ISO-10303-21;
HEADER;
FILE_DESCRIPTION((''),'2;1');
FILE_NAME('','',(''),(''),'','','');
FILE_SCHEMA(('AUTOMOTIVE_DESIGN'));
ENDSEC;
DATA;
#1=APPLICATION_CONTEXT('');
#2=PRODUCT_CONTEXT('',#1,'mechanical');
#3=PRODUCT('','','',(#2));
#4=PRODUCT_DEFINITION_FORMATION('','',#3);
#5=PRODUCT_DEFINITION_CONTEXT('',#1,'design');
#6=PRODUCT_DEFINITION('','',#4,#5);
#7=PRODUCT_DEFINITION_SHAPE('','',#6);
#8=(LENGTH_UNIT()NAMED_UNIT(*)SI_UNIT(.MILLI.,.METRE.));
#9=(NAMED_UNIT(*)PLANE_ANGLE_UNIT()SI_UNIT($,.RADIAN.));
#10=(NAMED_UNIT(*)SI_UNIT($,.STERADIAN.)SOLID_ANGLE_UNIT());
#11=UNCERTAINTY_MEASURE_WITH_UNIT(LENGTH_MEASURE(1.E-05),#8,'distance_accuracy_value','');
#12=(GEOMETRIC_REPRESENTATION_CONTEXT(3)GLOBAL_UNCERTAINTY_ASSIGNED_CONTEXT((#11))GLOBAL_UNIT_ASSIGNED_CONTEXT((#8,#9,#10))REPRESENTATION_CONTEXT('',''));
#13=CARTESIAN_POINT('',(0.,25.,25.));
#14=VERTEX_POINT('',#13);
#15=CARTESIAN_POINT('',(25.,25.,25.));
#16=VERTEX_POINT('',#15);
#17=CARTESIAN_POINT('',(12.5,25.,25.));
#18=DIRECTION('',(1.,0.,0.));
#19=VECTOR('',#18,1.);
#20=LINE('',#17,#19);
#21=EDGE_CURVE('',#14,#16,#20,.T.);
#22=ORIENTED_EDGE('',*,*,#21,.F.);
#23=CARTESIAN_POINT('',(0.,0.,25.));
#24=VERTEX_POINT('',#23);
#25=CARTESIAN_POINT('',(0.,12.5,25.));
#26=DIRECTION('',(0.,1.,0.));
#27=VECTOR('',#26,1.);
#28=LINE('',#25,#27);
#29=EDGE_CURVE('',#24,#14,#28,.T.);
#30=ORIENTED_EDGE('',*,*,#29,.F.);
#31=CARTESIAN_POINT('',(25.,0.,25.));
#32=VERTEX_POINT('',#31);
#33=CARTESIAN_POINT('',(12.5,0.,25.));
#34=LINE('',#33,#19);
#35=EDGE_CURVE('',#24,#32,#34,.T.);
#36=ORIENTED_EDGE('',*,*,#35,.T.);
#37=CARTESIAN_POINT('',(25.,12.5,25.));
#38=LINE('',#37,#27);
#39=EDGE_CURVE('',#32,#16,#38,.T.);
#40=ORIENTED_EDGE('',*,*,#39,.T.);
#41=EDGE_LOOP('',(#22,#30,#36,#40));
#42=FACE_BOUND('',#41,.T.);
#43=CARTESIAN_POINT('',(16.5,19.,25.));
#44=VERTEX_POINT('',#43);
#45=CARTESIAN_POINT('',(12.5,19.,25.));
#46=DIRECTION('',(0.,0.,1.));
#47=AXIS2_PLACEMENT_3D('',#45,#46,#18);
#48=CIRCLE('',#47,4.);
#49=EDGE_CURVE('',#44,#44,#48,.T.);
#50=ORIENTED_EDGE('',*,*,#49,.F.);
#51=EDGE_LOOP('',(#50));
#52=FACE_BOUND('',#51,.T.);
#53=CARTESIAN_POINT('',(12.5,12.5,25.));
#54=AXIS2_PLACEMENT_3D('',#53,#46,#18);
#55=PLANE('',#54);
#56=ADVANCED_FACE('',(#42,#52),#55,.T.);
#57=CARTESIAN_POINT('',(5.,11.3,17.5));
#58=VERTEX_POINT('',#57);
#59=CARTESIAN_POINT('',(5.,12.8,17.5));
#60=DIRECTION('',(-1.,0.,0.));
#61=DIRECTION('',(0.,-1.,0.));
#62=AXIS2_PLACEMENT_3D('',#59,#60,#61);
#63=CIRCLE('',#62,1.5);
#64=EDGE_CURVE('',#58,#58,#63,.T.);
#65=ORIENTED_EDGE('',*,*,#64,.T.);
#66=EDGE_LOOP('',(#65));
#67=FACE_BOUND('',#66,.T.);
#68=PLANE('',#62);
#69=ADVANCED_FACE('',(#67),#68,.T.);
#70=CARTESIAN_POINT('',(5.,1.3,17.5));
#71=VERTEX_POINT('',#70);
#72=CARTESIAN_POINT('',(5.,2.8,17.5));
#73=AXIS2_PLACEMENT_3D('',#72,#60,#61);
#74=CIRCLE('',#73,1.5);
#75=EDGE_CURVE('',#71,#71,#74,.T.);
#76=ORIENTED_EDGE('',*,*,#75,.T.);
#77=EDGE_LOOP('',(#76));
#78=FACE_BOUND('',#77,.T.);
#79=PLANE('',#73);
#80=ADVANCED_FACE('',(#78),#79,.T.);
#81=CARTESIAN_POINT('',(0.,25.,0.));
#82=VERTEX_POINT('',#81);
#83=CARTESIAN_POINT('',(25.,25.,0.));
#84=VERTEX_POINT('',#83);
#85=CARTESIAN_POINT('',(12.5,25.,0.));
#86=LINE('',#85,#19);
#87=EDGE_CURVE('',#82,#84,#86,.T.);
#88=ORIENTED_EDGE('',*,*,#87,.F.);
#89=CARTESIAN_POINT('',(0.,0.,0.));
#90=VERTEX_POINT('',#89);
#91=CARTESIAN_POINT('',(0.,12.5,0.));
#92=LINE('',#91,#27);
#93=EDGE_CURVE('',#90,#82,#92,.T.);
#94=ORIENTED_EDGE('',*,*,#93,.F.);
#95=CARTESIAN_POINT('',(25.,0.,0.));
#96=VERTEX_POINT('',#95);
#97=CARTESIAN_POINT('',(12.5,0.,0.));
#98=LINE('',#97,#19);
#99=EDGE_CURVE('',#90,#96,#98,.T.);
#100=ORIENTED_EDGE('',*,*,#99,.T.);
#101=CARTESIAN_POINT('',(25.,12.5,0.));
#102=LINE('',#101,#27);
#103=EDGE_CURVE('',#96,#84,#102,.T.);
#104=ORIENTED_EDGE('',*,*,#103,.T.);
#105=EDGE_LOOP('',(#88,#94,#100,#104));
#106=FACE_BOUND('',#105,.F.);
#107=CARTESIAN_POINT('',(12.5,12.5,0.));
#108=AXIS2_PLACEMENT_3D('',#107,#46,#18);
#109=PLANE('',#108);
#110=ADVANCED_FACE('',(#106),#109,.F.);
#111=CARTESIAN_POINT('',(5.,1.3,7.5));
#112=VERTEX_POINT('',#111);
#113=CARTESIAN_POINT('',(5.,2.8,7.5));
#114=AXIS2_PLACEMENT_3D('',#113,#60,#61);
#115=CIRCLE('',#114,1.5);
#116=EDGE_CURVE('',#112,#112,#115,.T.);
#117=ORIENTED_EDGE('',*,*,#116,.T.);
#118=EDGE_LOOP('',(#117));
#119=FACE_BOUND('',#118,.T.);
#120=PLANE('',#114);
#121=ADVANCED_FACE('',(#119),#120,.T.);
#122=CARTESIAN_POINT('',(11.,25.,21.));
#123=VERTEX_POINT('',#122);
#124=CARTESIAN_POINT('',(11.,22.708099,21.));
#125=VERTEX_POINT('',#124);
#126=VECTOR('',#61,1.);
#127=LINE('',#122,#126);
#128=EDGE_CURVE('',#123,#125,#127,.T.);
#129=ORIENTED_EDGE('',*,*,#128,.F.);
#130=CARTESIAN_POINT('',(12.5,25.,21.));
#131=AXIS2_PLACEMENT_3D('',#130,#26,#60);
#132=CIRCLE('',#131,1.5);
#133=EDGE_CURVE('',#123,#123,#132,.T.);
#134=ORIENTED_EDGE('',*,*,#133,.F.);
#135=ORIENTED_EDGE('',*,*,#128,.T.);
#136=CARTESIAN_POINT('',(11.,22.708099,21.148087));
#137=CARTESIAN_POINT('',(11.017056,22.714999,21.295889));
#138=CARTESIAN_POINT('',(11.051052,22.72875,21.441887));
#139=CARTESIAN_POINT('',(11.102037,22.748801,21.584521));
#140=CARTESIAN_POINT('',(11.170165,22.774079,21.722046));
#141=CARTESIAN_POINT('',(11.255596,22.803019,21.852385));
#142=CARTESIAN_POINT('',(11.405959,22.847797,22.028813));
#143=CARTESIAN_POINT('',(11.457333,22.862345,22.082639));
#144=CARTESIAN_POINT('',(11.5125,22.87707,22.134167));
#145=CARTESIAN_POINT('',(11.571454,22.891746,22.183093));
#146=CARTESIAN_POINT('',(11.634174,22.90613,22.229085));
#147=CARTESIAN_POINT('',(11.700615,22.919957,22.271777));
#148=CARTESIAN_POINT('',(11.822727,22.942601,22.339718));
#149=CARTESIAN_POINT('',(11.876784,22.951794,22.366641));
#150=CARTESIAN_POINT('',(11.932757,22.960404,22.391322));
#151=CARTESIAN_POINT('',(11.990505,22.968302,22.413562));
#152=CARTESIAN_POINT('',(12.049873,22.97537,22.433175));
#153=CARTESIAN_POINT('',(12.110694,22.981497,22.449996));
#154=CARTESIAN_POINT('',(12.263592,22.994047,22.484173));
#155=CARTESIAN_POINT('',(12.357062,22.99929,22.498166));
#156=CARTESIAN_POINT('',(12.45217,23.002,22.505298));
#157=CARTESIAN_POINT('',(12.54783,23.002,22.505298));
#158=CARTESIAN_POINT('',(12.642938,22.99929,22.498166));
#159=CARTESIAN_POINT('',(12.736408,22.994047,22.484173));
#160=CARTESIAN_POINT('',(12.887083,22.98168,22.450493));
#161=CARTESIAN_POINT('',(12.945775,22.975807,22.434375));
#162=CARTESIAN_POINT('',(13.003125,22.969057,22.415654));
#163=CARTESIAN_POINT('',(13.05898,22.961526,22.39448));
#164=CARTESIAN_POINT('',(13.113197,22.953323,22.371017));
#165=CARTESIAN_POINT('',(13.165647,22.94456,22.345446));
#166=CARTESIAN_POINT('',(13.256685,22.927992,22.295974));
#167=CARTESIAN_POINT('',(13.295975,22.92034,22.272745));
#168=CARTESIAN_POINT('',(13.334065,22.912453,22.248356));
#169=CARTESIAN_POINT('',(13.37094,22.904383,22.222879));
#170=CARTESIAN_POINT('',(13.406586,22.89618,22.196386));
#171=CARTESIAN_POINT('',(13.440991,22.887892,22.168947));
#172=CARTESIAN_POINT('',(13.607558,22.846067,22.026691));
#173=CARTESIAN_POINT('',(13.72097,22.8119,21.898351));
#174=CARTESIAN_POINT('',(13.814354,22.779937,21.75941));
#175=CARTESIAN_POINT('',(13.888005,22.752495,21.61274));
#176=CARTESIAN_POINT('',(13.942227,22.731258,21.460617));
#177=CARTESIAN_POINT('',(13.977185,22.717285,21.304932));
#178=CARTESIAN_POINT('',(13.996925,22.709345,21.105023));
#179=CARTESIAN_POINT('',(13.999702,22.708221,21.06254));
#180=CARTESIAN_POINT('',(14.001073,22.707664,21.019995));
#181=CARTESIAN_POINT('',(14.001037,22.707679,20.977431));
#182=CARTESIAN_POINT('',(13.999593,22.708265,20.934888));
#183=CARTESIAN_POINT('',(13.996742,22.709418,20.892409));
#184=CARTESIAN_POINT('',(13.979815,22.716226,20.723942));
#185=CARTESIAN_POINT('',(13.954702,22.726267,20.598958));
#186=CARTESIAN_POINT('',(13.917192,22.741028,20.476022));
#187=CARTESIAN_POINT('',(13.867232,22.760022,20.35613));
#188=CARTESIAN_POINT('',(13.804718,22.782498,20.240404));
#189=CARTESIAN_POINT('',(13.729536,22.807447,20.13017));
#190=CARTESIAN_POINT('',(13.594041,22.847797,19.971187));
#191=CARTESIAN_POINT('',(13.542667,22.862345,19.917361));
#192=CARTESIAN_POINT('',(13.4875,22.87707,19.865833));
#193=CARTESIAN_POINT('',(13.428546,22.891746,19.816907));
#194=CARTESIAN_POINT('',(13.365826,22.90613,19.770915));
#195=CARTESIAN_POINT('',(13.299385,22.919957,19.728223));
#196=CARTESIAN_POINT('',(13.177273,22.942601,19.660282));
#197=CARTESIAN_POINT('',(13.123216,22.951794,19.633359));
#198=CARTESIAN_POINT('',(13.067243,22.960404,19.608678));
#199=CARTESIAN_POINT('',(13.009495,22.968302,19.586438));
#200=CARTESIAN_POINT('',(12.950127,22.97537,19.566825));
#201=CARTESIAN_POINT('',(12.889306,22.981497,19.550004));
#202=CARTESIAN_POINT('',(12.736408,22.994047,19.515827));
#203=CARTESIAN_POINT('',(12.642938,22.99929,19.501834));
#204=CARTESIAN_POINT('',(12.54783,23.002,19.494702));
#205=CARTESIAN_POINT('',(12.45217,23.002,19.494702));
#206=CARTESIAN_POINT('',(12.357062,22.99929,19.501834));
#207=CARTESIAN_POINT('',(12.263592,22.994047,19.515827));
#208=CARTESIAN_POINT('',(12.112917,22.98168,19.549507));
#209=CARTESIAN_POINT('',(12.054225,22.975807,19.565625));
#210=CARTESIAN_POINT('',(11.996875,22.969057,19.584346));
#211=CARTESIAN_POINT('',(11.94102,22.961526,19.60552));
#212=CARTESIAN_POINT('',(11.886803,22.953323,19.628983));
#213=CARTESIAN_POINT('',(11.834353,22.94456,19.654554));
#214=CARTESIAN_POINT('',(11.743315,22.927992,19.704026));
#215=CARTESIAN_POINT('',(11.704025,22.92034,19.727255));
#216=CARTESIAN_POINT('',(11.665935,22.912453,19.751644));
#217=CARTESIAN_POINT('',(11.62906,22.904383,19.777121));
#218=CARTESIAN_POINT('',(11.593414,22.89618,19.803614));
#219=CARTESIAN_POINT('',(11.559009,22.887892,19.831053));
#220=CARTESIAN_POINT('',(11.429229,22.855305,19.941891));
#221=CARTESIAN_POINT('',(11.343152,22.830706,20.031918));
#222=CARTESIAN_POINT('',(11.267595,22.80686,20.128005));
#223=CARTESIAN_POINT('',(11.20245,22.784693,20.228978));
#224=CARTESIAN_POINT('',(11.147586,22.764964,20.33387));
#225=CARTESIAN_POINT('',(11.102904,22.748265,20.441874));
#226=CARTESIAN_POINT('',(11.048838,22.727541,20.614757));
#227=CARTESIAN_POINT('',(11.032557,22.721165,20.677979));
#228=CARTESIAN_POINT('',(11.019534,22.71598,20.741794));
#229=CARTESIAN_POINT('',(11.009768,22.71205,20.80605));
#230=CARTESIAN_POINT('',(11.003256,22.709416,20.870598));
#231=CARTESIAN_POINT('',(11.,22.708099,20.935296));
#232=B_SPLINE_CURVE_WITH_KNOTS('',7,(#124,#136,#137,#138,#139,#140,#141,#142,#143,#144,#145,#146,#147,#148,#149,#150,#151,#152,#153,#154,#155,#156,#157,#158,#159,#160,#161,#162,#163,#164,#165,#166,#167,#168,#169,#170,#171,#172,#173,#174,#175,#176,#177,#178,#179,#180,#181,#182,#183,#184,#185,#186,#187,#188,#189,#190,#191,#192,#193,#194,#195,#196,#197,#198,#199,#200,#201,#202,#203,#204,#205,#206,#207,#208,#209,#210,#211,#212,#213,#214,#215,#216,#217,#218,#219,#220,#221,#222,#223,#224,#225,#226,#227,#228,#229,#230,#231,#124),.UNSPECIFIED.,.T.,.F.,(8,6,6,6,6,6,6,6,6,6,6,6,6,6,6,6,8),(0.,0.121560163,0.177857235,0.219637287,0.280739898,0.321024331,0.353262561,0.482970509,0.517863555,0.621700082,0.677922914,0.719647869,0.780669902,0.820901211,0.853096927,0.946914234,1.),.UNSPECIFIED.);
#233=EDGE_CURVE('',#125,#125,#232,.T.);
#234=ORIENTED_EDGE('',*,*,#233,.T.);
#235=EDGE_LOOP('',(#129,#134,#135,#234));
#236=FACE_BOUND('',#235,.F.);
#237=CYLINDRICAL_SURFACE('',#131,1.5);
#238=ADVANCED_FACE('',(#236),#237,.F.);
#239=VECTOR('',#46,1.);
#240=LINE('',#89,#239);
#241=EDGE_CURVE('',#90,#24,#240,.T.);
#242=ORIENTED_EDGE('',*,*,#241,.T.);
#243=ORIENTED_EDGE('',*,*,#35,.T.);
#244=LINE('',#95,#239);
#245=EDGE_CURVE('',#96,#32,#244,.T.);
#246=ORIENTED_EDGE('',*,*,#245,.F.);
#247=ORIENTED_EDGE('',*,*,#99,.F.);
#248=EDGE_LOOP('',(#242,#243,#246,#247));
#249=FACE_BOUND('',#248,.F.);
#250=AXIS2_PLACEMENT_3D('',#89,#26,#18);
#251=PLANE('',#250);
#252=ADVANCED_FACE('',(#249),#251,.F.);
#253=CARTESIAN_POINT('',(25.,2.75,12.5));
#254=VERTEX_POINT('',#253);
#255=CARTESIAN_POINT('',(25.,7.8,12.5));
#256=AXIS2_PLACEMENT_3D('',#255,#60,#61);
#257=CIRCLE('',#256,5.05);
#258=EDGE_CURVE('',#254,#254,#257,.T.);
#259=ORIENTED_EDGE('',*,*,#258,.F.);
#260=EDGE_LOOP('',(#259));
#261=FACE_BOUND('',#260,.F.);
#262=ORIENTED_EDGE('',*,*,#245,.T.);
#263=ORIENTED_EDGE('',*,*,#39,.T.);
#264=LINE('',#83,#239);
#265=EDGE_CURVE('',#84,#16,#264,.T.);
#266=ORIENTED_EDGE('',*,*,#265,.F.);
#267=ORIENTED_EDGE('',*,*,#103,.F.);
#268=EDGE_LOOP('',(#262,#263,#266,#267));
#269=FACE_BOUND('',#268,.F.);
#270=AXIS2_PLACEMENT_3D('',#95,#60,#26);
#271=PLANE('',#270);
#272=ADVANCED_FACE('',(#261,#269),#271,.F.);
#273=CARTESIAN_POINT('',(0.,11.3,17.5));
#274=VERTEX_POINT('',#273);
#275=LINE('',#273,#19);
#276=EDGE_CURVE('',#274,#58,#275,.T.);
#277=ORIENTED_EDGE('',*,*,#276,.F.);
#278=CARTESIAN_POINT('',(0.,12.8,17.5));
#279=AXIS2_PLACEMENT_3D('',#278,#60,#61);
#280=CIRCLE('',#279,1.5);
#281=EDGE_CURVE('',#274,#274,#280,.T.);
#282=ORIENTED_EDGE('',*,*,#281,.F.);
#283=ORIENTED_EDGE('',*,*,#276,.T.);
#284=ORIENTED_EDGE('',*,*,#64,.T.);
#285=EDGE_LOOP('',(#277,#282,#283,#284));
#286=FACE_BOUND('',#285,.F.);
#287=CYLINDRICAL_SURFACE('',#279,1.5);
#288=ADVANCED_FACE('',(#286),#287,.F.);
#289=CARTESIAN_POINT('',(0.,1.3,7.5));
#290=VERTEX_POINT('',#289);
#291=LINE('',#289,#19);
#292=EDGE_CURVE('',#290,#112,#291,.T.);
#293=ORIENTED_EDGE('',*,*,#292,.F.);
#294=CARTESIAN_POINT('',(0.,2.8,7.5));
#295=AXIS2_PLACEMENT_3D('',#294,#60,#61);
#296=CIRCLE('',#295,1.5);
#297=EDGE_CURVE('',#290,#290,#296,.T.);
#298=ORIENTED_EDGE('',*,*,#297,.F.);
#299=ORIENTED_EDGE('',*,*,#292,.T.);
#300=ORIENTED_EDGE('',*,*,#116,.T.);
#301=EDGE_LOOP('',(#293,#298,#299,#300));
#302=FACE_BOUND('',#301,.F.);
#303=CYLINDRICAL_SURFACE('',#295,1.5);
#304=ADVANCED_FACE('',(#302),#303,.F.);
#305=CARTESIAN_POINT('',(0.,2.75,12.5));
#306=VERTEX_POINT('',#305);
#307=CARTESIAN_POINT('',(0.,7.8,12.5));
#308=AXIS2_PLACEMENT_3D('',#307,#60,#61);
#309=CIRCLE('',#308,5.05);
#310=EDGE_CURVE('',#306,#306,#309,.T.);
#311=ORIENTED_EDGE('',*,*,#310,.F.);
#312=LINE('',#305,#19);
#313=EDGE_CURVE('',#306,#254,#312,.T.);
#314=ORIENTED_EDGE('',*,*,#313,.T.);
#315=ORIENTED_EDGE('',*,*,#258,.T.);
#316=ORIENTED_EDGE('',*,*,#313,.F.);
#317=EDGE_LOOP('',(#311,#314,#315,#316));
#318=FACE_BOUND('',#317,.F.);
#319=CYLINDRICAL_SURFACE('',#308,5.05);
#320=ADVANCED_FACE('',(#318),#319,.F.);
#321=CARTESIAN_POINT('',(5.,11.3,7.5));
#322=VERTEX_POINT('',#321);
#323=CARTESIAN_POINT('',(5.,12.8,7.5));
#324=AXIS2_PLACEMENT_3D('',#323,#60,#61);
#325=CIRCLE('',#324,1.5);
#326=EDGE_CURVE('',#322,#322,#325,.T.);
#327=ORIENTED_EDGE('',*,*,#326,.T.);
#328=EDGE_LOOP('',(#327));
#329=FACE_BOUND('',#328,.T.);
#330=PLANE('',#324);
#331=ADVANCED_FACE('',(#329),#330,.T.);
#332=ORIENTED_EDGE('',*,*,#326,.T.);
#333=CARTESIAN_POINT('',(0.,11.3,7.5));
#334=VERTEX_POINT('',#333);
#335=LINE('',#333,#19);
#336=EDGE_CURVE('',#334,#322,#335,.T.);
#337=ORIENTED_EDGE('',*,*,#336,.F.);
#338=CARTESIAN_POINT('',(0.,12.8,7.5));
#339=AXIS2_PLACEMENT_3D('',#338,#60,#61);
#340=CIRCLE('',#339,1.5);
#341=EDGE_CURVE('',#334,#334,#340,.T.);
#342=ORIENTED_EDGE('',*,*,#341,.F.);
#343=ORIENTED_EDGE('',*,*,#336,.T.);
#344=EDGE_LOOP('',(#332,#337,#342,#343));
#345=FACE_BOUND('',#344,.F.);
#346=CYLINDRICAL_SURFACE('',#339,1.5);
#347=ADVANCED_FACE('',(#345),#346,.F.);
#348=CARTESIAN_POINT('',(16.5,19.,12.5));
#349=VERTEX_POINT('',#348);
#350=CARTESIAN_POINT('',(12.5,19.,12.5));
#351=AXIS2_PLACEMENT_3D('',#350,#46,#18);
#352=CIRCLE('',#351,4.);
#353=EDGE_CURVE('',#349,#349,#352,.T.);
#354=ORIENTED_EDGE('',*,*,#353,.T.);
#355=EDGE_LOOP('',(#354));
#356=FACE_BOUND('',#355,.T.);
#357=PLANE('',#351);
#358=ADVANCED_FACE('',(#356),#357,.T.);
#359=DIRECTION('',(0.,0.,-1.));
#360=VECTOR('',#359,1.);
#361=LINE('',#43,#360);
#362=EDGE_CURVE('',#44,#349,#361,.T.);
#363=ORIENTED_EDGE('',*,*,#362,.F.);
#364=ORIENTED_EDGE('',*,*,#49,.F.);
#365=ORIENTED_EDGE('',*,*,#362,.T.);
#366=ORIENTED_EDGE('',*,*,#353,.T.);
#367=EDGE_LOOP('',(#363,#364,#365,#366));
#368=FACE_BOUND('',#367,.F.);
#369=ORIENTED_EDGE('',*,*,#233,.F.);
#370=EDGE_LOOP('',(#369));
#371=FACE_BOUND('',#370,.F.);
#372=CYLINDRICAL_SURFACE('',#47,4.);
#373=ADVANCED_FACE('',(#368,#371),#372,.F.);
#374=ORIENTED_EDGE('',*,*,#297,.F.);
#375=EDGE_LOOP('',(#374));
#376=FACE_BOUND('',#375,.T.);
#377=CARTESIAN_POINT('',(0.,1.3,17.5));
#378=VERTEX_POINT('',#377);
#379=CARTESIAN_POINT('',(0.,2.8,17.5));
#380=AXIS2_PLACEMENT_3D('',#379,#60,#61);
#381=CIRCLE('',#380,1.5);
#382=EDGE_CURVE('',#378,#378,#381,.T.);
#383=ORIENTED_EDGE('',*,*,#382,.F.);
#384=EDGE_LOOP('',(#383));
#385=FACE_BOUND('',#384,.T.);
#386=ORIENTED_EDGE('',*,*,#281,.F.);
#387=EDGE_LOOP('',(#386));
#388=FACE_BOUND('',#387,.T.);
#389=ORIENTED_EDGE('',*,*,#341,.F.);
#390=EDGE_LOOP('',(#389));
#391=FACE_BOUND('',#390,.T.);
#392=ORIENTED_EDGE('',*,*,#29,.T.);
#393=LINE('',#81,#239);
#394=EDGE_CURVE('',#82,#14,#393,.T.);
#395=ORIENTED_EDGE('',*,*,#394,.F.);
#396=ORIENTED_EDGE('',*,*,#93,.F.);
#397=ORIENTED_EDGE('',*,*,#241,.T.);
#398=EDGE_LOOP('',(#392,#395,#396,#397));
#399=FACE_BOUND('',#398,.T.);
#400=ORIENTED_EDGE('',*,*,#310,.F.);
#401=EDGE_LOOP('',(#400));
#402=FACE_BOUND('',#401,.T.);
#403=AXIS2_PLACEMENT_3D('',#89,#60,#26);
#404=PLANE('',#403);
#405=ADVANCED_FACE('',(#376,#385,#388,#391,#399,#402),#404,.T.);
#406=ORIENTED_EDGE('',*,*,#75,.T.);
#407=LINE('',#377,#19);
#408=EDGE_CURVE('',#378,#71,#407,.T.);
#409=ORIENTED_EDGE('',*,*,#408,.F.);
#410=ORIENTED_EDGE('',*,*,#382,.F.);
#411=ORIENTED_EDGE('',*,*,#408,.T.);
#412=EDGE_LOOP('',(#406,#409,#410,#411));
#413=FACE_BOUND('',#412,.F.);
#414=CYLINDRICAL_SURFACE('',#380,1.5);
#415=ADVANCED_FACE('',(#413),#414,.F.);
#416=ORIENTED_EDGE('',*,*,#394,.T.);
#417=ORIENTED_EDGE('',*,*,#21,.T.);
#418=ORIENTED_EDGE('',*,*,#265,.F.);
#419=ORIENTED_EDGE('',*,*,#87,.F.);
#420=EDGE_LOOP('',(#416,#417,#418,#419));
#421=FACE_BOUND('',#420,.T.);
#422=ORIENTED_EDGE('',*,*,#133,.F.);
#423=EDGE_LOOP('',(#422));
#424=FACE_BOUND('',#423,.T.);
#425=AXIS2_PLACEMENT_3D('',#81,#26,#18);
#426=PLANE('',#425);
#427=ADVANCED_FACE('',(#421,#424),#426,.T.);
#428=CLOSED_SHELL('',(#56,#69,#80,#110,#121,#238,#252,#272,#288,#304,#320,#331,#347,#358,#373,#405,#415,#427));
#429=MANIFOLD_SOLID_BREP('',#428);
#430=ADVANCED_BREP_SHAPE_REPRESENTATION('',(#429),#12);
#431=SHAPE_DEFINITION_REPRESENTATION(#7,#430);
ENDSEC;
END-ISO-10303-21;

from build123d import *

# Parameters (mm, degrees)
F0_W     = 25
F0_H     = 25
F1_DEPTH = 25
F2_R     = 4
F3_DEPTH = 12.5
F4_R     = 1.5
F5_DEPTH = 6
F6_R     = 1.5
F7_DEPTH = 5
F8_R     = 5.05
F9_DEPTH = 25.001


with BuildPart() as f1:
    # F0 (on Top) → F1 (new body)
    with BuildSketch(Plane.XY):
        with Locations((12.5, 12.5)):
            Rectangle(F0_W, F0_H)
    extrude(amount=F1_DEPTH)

    # F2 (on face) → F3 (cut)
    with BuildSketch(Plane.XY.offset(25)):
        with Locations((12.5, 19)):
            Circle(F2_R)
    extrude(amount=-F3_DEPTH, mode=Mode.SUBTRACT)

    # F4 (on face) → F5 (cut)
    with BuildSketch(Plane(origin=(0, 25, 0), x_dir=(-1, 0, 0), z_dir=(0, 1, 0))):
        with Locations((-12.5, 21)):
            Circle(F4_R)
    extrude(amount=-F5_DEPTH, mode=Mode.SUBTRACT)

    # F6 (on face) → F7 (cut)
    with BuildSketch(Plane(origin=(0, 0, 0), x_dir=(0, -1, 0), z_dir=(-1, 0, 0))):
        with Locations((-2.8, 7.5)):
            Circle(F6_R)
        with Locations((-2.8, 17.5)):
            Circle(F6_R)
        with Locations((-12.8, 7.5)):
            Circle(F6_R)
        with Locations((-12.8, 17.5)):
            Circle(F6_R)
    extrude(amount=-F7_DEPTH, mode=Mode.SUBTRACT)

    # F8 (on face) → F9 (cut, through all)
    with BuildSketch(Plane(origin=(0, 0, 0), x_dir=(0, -1, 0), z_dir=(-1, 0, 0))):
        with Locations((-7.8, 12.5)):
            Circle(F8_R)
    extrude(amount=-F9_DEPTH, mode=Mode.SUBTRACT)


solid = f1.part
